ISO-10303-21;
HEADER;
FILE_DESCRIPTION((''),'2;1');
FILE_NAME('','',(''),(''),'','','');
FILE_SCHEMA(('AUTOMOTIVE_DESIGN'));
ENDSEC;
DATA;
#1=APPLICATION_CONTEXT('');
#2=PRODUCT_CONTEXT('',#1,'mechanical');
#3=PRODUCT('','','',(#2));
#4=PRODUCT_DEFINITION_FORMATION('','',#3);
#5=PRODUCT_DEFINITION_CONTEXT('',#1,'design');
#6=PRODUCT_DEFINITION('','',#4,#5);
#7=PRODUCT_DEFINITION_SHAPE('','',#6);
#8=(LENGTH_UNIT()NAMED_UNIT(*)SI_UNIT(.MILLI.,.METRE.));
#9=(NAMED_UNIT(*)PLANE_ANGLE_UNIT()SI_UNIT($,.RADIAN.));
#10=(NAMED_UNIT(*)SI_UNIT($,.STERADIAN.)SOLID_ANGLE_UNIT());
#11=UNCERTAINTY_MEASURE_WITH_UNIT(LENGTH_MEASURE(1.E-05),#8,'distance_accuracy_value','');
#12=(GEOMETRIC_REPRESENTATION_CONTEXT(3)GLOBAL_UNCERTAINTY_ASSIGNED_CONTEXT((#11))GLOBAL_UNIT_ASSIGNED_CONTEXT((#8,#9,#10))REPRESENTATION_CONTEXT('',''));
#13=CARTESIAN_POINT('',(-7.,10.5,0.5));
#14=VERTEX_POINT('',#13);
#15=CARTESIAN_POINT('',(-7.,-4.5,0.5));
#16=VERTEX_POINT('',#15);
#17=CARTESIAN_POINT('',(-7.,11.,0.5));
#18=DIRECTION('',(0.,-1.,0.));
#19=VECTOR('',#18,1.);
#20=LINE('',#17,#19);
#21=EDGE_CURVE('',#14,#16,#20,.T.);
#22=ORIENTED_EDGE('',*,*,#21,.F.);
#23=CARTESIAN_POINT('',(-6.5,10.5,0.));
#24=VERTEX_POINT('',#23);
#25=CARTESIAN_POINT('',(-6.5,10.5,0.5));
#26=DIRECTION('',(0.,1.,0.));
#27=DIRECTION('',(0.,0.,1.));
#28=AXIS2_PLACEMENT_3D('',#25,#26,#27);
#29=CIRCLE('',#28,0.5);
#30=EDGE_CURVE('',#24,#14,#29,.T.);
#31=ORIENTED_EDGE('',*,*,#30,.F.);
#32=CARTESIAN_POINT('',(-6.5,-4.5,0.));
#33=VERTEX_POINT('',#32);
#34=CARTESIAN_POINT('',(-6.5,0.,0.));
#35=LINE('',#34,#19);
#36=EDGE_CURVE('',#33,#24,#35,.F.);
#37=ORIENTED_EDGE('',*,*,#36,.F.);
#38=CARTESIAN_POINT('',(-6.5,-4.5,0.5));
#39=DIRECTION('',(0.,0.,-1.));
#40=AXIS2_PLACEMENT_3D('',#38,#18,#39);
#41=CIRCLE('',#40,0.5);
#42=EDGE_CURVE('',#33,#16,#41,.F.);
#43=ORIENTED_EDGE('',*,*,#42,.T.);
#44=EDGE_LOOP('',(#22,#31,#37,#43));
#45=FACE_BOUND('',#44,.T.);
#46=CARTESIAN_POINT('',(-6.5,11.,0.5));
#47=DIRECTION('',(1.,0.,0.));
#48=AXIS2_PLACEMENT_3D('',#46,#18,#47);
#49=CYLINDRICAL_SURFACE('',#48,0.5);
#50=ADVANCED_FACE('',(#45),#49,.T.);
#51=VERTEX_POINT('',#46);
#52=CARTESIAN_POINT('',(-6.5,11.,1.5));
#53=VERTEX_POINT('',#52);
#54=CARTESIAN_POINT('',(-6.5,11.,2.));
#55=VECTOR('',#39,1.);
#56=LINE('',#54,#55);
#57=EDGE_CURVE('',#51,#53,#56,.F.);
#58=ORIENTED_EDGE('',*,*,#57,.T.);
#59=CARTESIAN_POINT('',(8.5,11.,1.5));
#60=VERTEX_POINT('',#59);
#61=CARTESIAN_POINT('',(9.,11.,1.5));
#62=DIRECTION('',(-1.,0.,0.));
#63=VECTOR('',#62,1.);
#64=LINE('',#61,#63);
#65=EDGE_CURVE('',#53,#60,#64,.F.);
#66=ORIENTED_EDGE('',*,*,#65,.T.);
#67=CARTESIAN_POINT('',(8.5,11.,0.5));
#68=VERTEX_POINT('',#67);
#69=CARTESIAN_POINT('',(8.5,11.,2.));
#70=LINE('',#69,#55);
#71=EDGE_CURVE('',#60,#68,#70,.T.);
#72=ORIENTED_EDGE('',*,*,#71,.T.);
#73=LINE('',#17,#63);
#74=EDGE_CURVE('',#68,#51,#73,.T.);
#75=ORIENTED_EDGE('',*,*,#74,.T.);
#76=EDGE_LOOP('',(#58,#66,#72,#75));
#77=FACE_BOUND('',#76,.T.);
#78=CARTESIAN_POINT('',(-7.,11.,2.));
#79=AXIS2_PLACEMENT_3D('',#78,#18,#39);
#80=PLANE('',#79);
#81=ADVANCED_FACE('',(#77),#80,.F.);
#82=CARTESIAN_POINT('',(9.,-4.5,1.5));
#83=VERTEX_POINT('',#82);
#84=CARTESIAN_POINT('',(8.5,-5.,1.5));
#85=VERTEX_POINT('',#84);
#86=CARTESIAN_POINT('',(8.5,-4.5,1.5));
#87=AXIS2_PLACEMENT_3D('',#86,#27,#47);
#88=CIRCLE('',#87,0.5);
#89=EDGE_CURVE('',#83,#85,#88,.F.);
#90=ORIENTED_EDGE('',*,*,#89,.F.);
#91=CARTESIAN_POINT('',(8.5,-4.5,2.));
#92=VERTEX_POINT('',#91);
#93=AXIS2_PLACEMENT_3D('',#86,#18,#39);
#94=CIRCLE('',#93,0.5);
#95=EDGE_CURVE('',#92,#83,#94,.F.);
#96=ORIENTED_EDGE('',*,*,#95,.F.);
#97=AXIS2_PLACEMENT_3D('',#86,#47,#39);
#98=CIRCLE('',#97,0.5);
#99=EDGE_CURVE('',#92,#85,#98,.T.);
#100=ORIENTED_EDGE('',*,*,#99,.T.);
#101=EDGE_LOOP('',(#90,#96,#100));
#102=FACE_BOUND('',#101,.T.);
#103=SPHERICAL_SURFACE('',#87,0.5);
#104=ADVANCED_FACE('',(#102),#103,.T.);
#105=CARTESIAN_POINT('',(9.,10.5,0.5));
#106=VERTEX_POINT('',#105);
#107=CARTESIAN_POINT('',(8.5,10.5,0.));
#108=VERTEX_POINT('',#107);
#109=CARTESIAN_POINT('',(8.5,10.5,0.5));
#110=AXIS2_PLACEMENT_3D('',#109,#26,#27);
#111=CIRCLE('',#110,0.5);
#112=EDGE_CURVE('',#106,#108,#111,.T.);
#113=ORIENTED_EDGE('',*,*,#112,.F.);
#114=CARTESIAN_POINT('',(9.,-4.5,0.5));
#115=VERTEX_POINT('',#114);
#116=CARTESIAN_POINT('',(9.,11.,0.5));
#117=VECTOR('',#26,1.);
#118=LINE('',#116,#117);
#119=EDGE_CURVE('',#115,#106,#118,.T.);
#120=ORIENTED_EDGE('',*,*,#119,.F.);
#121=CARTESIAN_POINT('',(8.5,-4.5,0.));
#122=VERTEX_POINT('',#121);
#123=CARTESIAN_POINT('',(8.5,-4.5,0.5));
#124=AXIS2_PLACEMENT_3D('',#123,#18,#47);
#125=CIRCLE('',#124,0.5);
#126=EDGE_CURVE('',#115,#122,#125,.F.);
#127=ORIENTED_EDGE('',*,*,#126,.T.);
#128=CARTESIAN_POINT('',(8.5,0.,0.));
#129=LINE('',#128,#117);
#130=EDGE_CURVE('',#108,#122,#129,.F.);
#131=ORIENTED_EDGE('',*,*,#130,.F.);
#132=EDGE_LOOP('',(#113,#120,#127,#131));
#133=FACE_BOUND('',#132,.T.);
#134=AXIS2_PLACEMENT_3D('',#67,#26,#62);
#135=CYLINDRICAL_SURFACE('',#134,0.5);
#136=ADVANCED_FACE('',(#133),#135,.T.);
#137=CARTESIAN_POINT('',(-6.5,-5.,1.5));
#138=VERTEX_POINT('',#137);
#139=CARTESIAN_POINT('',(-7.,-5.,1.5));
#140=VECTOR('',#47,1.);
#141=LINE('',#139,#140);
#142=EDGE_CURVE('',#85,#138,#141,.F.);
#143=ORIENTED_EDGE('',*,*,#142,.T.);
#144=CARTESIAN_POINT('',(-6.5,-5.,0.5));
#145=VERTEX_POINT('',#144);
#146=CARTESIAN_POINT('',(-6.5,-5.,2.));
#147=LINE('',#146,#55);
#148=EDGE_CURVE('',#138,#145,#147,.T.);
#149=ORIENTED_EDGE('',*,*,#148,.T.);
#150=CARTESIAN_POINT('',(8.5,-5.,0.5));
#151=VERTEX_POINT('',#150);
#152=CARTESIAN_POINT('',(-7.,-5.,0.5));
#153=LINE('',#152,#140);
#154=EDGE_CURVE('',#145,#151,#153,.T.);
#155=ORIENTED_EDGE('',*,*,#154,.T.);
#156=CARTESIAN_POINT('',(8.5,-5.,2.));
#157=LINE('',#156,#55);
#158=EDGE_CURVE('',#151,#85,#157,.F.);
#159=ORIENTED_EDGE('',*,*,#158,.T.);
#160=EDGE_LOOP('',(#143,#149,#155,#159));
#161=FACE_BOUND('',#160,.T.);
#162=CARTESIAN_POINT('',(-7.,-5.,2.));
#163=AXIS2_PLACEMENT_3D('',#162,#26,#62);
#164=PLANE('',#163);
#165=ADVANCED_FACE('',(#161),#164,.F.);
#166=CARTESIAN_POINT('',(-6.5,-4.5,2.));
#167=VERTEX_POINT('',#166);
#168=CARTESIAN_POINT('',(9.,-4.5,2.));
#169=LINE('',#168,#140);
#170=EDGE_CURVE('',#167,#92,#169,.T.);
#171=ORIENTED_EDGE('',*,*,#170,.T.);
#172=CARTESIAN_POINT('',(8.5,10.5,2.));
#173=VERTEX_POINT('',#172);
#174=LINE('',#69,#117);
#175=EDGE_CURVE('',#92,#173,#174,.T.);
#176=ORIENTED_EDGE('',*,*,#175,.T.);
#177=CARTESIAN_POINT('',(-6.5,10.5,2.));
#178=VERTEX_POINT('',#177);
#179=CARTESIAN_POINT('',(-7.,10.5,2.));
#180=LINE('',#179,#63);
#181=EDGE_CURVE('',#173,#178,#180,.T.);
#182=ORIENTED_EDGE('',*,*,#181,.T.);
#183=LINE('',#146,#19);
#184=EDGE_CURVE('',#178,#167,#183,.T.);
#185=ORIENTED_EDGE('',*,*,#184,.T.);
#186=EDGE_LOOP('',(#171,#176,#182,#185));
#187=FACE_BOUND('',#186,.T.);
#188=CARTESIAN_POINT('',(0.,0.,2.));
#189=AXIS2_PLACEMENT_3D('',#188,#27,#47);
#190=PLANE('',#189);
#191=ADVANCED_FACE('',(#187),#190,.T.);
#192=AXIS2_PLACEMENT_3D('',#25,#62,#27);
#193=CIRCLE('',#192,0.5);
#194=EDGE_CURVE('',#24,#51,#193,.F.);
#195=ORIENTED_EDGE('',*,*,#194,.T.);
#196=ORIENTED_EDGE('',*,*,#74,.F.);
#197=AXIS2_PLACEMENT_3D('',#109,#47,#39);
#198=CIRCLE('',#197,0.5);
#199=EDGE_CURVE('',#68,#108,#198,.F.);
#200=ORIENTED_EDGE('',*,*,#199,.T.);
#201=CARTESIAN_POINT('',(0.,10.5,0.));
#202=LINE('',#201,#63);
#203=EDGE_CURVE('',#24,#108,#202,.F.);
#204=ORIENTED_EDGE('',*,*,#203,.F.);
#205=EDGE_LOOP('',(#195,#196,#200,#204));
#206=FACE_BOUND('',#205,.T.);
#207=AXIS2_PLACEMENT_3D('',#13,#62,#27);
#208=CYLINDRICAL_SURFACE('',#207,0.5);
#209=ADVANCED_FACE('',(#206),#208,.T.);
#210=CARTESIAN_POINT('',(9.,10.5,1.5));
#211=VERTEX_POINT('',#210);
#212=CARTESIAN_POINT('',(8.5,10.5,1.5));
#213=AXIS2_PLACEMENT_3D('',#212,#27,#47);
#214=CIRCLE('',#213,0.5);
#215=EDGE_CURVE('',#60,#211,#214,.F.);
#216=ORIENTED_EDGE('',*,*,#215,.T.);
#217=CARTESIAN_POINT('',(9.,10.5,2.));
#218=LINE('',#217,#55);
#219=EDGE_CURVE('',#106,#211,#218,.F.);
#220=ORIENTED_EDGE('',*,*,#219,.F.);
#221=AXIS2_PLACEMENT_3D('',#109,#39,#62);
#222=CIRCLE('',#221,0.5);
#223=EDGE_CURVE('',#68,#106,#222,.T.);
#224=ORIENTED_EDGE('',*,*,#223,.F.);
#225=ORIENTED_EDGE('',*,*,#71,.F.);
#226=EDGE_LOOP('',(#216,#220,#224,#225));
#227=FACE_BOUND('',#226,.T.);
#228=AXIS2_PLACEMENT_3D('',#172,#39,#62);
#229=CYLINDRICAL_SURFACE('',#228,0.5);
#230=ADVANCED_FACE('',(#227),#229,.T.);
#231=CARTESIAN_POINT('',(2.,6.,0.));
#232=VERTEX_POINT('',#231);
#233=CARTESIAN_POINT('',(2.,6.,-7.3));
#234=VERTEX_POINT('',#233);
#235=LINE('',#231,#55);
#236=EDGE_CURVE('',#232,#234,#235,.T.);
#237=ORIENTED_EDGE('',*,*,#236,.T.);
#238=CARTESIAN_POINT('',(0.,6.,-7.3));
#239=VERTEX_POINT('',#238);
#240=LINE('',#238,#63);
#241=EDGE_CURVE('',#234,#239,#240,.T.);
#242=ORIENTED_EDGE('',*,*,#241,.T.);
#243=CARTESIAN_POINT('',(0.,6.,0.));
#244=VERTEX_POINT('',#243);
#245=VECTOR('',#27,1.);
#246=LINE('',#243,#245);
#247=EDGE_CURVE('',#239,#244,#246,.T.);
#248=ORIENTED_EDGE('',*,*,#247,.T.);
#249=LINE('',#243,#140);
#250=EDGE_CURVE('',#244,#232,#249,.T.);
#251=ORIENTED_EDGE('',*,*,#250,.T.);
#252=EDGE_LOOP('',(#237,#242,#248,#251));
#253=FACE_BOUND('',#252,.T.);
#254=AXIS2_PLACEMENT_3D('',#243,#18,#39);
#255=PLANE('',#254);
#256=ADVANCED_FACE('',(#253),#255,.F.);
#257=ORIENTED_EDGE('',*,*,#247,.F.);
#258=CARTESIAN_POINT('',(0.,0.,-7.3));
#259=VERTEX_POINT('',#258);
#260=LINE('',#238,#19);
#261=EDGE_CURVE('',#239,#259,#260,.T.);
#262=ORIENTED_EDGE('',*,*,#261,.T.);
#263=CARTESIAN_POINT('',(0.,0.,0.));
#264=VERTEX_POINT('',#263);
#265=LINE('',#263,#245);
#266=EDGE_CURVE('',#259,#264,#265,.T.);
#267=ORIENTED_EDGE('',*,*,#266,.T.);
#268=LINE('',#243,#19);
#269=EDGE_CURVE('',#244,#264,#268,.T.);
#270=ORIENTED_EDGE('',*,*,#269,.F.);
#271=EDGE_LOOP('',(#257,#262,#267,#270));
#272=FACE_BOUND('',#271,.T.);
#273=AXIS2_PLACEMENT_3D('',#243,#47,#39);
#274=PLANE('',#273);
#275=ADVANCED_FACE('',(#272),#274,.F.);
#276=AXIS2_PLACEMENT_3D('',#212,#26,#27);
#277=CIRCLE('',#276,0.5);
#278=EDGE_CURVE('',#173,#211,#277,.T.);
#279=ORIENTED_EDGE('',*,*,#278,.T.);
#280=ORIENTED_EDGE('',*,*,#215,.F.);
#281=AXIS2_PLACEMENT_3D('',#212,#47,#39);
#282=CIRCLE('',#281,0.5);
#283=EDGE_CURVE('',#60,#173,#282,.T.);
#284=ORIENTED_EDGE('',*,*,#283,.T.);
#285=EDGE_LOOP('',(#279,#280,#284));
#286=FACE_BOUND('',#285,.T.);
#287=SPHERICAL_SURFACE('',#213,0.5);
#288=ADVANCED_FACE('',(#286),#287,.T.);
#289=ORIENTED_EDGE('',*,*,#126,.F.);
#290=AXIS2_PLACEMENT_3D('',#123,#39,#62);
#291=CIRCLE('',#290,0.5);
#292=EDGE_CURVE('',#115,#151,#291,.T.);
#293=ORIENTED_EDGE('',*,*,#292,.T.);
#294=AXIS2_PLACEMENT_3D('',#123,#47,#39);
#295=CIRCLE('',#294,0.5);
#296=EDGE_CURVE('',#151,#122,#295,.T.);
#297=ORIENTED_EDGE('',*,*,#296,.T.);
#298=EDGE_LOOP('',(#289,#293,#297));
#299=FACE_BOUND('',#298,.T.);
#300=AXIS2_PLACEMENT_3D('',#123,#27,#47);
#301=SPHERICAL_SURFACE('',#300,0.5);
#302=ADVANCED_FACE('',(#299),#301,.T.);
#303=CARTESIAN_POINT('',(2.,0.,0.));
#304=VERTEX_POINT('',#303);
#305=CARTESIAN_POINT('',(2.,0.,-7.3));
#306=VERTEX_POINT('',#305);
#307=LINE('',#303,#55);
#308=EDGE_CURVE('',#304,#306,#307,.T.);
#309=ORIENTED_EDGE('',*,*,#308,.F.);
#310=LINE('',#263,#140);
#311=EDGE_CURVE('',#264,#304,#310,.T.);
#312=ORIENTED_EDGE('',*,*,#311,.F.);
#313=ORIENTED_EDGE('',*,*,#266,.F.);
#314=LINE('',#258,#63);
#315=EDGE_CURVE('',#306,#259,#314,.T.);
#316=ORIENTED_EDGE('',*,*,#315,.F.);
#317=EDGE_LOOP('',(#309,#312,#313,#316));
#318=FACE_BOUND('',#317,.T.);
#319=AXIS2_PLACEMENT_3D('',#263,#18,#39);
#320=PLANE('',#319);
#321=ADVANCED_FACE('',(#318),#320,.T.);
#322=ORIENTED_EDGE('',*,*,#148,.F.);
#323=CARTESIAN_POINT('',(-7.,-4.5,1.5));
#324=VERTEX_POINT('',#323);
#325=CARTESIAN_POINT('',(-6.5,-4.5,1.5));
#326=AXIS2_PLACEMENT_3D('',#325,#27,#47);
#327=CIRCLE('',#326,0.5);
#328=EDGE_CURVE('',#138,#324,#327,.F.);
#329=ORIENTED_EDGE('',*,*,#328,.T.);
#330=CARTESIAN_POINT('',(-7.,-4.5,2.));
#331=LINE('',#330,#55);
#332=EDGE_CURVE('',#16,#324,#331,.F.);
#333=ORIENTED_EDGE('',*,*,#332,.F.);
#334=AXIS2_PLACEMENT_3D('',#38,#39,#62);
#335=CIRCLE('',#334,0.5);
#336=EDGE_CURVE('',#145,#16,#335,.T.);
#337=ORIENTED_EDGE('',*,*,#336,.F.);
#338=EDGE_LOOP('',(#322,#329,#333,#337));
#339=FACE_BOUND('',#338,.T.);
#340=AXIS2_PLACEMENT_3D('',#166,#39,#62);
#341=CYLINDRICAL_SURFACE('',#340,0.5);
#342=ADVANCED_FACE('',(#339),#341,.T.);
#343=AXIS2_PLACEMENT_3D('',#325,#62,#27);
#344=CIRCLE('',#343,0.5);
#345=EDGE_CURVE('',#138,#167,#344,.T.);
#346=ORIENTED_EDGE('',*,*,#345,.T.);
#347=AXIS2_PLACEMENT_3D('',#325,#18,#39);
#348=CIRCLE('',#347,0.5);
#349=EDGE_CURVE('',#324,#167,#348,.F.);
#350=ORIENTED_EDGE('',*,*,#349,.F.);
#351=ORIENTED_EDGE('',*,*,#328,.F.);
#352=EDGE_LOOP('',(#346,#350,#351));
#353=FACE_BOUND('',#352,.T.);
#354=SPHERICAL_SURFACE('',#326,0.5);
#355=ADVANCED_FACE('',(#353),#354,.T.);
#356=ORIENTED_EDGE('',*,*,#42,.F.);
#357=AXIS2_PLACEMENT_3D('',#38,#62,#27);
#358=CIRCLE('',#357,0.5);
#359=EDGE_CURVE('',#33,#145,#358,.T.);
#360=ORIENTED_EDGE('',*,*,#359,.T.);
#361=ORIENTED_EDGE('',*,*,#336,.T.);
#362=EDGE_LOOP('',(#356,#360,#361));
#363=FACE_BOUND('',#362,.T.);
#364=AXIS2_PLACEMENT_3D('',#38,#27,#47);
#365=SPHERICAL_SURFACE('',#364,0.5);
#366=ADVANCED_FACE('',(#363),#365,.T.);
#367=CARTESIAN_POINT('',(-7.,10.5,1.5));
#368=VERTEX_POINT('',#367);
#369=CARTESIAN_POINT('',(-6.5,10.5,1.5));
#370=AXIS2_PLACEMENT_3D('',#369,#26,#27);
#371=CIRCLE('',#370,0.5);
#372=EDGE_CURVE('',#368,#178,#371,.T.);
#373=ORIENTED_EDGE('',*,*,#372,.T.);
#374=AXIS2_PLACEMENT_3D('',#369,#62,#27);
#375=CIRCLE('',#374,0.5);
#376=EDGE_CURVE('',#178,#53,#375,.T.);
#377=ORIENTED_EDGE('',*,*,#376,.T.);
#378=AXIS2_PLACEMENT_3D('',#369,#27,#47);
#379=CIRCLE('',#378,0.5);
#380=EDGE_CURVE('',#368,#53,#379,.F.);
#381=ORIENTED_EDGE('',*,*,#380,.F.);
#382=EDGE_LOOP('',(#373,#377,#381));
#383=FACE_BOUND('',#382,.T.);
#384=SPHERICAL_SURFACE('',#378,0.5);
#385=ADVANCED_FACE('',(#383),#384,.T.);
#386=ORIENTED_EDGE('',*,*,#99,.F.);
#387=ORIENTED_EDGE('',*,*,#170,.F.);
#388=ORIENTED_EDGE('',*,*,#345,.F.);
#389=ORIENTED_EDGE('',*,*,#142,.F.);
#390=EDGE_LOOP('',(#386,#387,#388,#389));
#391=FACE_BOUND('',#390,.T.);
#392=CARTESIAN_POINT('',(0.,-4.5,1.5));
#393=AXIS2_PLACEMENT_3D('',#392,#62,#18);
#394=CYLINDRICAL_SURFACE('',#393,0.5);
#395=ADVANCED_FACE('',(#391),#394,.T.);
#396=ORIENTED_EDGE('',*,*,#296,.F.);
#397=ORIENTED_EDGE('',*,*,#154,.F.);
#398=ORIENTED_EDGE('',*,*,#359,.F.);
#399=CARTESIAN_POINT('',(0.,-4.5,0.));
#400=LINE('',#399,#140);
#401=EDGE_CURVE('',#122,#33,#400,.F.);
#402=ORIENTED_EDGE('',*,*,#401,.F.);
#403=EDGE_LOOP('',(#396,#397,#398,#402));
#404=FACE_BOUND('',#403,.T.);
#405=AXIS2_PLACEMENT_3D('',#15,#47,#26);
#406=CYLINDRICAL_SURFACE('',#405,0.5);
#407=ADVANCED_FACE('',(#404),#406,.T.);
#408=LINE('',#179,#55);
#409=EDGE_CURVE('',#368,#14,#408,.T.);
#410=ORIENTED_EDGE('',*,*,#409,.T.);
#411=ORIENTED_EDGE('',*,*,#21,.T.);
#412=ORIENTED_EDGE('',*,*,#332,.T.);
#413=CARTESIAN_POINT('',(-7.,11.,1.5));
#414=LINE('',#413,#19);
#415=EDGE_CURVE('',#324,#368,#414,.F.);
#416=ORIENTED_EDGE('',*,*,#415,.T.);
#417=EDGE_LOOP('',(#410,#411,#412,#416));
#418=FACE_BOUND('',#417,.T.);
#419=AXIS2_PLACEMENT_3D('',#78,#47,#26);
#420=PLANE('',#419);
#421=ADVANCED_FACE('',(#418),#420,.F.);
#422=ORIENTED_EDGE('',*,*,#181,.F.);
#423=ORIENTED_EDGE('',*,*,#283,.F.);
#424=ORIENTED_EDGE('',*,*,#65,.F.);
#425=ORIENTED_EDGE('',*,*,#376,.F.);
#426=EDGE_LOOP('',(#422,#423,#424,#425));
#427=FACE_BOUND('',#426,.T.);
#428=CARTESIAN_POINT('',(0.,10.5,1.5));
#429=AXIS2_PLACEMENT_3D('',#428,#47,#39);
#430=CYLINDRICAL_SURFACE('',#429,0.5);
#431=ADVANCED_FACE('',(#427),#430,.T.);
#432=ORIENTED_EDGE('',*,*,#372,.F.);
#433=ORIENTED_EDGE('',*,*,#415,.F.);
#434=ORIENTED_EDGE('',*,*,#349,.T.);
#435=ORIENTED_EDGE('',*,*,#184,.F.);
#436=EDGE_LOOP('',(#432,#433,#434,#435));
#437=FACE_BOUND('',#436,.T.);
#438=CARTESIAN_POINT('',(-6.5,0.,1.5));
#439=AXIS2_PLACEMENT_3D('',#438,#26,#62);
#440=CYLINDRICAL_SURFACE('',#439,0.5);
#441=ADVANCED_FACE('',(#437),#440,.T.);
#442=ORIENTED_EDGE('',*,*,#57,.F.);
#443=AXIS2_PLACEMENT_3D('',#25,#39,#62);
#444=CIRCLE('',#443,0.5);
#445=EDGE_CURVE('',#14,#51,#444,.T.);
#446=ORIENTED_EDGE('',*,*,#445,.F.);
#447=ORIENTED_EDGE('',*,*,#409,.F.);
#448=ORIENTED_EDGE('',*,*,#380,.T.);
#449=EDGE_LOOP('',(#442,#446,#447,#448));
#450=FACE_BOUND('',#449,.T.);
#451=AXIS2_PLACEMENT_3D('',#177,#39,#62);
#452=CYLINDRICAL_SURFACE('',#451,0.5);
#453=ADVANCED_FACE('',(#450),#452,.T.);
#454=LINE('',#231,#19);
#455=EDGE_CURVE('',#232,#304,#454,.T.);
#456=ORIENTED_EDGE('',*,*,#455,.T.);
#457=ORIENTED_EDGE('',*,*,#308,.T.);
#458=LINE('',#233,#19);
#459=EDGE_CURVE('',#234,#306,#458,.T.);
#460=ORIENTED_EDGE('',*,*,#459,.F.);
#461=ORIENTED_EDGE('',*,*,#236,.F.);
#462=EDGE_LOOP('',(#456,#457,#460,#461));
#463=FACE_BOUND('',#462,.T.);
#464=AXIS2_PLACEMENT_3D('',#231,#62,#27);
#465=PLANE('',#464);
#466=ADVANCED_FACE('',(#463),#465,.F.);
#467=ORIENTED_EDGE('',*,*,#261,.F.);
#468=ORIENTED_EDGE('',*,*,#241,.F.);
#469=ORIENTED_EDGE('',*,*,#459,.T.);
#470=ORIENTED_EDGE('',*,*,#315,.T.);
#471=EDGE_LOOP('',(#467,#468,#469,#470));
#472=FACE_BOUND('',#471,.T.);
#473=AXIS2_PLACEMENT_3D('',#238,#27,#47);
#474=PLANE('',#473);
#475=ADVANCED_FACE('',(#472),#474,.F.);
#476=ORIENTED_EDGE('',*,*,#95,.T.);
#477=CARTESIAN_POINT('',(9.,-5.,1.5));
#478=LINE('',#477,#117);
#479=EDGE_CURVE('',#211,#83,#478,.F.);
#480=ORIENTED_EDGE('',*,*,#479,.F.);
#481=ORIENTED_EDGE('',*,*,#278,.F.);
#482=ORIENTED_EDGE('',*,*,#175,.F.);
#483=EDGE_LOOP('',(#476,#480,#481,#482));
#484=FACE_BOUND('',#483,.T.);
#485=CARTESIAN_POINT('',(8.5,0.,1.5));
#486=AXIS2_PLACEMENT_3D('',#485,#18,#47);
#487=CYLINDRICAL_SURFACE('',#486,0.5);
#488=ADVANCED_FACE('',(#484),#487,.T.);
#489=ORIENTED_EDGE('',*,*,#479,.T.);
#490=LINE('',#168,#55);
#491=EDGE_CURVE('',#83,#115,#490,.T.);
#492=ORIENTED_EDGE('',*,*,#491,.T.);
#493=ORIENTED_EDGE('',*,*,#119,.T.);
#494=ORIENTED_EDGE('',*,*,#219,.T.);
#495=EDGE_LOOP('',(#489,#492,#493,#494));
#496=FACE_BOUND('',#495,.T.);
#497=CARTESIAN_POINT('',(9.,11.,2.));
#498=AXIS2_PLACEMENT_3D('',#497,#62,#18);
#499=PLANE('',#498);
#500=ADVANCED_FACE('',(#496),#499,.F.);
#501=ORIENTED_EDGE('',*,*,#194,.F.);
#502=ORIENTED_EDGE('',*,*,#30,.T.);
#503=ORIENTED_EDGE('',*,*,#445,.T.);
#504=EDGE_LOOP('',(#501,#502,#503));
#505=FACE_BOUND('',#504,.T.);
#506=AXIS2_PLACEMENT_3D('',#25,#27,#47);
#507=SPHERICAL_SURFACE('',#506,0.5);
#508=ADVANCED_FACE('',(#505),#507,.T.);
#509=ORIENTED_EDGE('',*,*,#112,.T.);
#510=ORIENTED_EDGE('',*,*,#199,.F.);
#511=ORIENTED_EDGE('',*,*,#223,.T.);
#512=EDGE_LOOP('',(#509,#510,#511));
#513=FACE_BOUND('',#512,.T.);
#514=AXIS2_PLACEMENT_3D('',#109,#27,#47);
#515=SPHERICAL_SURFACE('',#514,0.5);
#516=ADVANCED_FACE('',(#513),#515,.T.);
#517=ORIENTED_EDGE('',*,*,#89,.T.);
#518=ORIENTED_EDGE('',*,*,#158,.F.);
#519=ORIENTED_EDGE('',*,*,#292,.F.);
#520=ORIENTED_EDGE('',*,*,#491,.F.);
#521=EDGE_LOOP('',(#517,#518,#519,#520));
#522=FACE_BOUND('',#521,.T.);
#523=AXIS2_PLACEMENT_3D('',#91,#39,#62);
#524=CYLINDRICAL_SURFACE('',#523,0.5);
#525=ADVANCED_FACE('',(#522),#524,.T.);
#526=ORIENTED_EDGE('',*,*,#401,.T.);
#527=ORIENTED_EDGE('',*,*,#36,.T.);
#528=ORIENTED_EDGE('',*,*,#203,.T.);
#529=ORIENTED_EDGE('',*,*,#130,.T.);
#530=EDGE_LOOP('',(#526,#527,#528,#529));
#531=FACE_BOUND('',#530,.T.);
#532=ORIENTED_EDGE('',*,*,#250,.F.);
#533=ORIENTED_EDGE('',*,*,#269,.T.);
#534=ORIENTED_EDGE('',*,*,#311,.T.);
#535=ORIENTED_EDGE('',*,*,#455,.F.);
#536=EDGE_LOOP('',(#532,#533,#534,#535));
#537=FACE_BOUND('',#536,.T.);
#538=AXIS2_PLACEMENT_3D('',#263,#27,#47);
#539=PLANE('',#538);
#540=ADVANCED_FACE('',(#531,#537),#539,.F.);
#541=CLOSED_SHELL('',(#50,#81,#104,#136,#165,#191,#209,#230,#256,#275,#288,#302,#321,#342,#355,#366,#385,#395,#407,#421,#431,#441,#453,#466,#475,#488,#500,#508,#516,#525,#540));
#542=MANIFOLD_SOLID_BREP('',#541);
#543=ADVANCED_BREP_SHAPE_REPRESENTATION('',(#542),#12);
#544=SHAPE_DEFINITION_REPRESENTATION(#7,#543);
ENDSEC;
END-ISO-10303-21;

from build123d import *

# Parameters (mm, degrees)
SKETCH1_W           = 2
SKETCH1_H           = 7.3
BOSS_EXTRUDE1_DEPTH = 6
SKETCH3_W           = 16
SKETCH3_H           = 16
BOSS_EXTRUDE3_DEPTH = 2
FILLET2_R           = 0.5


with BuildPart() as part:
    # Sketch1 → Boss-Extrude1 (new body)
    with BuildSketch(Plane(origin=(0, 0, 0), x_dir=(1, 0, 0), z_dir=(0, 1, 0))):
        with Locations((1, 3.65)):
            Rectangle(SKETCH1_W, SKETCH1_H)
    extrude(amount=BOSS_EXTRUDE1_DEPTH)

    # Sketch3 → Boss-Extrude3 (add)
    with BuildSketch(Plane.XY):
        with Locations((1, 3)):
            Rectangle(SKETCH3_W, SKETCH3_H)
    extrude(amount=BOSS_EXTRUDE3_DEPTH)

    # Fillet2
    fillet2_edges = [part.edges().sort_by_distance(p)[0] for p in [
        (-7, 3, 0),
        (-7, 11, 1),
        (1, -5, 0),
        (-7, -5, 1),
        (9, 3, 0),
        (9, -5, 1),
        (1, 11, 0),
        (9, 11, 1),
        (-7, 3, 2),
        (1, -5, 2),
        (9, 3, 2),
        (1, 11, 2),
    ]]
    fillet(fillet2_edges, radius=FILLET2_R)


solid = part.part
